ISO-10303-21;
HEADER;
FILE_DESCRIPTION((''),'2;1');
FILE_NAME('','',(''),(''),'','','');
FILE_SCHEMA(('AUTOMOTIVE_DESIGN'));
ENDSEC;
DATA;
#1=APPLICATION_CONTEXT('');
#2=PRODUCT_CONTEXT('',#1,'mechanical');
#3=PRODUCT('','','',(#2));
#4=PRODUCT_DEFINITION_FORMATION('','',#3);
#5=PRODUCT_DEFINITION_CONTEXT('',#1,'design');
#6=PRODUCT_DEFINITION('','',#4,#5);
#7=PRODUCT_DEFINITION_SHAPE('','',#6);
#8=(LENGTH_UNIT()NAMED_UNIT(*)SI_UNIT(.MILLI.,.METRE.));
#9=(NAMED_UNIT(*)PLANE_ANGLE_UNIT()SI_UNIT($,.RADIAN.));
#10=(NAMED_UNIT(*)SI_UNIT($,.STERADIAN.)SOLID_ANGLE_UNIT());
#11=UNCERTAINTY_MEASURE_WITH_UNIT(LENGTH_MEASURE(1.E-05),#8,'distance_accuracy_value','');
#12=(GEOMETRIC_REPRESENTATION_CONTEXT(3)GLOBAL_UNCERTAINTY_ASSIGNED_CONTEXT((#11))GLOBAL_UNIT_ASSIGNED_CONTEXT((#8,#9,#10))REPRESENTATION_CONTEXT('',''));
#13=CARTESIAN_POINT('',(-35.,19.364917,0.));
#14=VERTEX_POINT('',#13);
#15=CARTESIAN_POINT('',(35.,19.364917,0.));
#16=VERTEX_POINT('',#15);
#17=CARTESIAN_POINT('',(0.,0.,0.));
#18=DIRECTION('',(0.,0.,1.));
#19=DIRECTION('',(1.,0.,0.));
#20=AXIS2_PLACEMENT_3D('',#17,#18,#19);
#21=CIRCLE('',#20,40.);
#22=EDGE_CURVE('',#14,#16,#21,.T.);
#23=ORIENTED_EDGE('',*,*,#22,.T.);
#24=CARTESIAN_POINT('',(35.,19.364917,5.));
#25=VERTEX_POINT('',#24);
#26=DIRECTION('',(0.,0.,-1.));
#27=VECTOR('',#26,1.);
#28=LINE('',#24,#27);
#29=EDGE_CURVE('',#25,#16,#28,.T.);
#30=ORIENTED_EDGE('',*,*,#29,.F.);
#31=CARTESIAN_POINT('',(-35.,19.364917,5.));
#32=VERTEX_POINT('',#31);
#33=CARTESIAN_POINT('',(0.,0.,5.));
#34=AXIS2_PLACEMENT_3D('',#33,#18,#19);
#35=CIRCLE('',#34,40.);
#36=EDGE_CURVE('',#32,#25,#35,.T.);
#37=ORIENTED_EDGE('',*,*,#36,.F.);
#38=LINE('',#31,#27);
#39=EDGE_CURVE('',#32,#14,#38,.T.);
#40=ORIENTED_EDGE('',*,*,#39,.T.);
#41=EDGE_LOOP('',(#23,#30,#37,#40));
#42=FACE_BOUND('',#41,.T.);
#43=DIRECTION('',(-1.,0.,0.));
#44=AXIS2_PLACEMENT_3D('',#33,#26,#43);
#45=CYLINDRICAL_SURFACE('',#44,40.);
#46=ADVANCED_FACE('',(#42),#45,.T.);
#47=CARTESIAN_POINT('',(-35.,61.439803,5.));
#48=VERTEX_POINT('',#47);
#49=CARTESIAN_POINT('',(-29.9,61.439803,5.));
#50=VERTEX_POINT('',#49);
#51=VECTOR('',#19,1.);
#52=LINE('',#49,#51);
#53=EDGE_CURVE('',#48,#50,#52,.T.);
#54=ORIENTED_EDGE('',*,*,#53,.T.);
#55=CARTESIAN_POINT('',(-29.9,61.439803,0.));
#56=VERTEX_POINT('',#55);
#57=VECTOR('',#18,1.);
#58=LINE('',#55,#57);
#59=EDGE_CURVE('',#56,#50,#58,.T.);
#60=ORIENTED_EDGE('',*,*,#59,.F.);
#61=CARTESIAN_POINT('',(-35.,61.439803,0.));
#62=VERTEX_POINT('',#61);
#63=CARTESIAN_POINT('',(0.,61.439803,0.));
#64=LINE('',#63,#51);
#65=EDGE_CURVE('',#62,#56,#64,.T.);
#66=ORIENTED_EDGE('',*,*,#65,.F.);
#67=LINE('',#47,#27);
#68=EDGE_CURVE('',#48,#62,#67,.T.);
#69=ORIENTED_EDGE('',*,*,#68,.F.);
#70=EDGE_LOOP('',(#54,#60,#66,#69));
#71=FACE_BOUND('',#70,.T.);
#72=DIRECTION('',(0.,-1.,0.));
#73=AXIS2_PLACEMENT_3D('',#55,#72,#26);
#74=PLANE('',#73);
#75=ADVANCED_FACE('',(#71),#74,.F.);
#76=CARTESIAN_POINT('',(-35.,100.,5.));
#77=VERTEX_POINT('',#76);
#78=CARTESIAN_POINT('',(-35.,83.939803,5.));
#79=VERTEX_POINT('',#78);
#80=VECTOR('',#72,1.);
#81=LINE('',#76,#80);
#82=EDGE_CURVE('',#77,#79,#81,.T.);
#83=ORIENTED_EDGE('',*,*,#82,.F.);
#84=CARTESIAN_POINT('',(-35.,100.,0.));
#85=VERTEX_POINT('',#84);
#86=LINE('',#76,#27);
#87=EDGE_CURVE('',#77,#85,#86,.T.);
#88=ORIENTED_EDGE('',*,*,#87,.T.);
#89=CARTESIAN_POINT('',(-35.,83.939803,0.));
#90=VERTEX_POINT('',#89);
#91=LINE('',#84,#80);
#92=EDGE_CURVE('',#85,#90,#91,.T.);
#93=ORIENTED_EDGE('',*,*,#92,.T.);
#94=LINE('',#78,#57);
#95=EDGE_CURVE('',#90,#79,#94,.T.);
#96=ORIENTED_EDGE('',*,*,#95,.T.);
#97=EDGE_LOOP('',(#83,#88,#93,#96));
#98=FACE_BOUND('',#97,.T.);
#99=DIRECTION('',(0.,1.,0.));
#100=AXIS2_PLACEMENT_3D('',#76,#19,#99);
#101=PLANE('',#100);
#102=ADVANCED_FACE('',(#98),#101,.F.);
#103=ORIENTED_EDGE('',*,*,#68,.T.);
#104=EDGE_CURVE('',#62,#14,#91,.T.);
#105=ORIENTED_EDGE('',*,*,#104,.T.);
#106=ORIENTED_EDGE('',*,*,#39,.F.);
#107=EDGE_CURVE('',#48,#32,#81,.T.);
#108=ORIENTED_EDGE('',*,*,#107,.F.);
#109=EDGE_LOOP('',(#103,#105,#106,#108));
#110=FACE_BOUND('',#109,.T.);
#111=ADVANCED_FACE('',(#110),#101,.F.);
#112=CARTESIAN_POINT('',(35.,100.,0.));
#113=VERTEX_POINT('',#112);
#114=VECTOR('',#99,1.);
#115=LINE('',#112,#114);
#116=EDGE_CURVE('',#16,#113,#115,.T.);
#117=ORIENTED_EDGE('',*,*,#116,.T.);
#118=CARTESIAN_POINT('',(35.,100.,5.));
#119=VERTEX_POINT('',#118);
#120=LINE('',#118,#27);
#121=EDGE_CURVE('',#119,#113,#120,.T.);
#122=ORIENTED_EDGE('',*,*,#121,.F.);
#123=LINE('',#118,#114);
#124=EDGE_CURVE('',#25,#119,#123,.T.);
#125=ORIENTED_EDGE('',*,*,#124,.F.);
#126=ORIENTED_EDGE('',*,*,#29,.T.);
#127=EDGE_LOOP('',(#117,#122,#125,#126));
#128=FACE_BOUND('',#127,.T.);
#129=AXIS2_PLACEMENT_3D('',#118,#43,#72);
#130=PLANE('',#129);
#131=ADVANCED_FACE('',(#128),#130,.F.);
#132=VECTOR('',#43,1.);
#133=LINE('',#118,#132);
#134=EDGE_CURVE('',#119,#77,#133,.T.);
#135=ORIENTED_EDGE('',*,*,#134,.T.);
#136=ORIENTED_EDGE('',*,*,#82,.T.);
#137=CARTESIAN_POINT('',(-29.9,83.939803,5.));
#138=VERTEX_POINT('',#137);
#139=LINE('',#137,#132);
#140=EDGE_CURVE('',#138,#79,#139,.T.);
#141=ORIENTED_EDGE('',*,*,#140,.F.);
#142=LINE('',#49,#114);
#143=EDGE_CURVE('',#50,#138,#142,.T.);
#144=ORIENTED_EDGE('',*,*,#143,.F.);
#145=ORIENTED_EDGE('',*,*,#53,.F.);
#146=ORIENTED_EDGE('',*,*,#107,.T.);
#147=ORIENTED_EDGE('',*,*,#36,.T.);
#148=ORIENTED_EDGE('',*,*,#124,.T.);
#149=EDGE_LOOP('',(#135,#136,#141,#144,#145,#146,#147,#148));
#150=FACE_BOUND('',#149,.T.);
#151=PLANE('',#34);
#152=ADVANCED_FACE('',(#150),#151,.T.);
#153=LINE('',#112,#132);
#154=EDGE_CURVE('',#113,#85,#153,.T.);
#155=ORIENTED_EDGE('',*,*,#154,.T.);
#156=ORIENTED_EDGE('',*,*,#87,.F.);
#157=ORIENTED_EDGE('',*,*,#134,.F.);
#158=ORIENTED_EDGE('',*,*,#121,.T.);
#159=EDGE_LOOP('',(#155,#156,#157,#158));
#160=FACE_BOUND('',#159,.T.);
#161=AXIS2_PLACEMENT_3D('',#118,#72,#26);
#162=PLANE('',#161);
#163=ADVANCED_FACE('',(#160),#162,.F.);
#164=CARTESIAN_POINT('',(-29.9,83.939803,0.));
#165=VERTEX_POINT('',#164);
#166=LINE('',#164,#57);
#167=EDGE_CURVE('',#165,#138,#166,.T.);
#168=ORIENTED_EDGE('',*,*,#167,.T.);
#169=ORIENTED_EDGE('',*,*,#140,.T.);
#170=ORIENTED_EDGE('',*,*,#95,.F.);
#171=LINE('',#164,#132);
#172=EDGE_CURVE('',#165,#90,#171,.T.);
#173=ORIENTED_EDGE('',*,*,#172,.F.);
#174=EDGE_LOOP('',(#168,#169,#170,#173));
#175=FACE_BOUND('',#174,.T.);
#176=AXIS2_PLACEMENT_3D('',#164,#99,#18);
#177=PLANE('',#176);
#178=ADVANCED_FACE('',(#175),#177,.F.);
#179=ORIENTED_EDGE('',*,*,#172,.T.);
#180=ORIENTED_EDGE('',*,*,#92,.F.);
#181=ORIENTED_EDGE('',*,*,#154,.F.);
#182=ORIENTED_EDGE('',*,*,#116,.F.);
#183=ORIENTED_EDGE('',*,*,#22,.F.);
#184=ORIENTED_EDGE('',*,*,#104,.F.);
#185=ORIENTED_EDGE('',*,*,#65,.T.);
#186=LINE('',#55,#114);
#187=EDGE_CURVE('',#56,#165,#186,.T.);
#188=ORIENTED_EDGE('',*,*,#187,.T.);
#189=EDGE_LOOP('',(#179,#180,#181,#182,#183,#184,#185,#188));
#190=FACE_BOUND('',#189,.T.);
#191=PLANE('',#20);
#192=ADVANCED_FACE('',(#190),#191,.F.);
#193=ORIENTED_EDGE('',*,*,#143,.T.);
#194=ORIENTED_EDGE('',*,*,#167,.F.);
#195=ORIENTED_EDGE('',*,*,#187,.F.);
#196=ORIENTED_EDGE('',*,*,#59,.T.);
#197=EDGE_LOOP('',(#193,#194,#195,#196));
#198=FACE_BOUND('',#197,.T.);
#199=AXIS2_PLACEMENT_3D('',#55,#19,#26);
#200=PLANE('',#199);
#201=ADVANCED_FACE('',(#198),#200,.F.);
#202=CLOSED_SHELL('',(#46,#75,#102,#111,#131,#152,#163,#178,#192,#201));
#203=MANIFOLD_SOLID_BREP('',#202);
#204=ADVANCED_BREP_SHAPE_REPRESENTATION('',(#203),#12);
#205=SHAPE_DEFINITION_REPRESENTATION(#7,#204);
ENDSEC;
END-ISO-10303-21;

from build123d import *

# Parameters (mm, degrees)
EXTRUDE_1_DEPTH     = 5
SKETCH_2_W          = 12.2
SKETCH_2_H          = 22.5
CUT_EXTRUDE_1_DEPTH = 108.819293264


with BuildPart() as part:
    # ｽｹｯﾁ1 → ﾎﾞｽ - 押し出し1 (new body)
    with BuildSketch(Plane.XY):
        with BuildLine():
            Line((35, 100), (-35, 100))
            Line((-35, 100), (-35, 19.364916731))
            ThreePointArc((-35, 19.364916731), (0, -40), (35, 19.364916731))
            Line((35, 19.364916731), (35, 100))
        make_face()
    extrude(amount=EXTRUDE_1_DEPTH)

    # ｽｹｯﾁ2 → ｶｯﾄ - 押し出し1 (cut, through all)
    with BuildSketch(Plane.XY.offset(5)):
        with Locations((-36, 72.689802684)):
            Rectangle(SKETCH_2_W, SKETCH_2_H)
    extrude(amount=-CUT_EXTRUDE_1_DEPTH, mode=Mode.SUBTRACT)


solid = part.part
